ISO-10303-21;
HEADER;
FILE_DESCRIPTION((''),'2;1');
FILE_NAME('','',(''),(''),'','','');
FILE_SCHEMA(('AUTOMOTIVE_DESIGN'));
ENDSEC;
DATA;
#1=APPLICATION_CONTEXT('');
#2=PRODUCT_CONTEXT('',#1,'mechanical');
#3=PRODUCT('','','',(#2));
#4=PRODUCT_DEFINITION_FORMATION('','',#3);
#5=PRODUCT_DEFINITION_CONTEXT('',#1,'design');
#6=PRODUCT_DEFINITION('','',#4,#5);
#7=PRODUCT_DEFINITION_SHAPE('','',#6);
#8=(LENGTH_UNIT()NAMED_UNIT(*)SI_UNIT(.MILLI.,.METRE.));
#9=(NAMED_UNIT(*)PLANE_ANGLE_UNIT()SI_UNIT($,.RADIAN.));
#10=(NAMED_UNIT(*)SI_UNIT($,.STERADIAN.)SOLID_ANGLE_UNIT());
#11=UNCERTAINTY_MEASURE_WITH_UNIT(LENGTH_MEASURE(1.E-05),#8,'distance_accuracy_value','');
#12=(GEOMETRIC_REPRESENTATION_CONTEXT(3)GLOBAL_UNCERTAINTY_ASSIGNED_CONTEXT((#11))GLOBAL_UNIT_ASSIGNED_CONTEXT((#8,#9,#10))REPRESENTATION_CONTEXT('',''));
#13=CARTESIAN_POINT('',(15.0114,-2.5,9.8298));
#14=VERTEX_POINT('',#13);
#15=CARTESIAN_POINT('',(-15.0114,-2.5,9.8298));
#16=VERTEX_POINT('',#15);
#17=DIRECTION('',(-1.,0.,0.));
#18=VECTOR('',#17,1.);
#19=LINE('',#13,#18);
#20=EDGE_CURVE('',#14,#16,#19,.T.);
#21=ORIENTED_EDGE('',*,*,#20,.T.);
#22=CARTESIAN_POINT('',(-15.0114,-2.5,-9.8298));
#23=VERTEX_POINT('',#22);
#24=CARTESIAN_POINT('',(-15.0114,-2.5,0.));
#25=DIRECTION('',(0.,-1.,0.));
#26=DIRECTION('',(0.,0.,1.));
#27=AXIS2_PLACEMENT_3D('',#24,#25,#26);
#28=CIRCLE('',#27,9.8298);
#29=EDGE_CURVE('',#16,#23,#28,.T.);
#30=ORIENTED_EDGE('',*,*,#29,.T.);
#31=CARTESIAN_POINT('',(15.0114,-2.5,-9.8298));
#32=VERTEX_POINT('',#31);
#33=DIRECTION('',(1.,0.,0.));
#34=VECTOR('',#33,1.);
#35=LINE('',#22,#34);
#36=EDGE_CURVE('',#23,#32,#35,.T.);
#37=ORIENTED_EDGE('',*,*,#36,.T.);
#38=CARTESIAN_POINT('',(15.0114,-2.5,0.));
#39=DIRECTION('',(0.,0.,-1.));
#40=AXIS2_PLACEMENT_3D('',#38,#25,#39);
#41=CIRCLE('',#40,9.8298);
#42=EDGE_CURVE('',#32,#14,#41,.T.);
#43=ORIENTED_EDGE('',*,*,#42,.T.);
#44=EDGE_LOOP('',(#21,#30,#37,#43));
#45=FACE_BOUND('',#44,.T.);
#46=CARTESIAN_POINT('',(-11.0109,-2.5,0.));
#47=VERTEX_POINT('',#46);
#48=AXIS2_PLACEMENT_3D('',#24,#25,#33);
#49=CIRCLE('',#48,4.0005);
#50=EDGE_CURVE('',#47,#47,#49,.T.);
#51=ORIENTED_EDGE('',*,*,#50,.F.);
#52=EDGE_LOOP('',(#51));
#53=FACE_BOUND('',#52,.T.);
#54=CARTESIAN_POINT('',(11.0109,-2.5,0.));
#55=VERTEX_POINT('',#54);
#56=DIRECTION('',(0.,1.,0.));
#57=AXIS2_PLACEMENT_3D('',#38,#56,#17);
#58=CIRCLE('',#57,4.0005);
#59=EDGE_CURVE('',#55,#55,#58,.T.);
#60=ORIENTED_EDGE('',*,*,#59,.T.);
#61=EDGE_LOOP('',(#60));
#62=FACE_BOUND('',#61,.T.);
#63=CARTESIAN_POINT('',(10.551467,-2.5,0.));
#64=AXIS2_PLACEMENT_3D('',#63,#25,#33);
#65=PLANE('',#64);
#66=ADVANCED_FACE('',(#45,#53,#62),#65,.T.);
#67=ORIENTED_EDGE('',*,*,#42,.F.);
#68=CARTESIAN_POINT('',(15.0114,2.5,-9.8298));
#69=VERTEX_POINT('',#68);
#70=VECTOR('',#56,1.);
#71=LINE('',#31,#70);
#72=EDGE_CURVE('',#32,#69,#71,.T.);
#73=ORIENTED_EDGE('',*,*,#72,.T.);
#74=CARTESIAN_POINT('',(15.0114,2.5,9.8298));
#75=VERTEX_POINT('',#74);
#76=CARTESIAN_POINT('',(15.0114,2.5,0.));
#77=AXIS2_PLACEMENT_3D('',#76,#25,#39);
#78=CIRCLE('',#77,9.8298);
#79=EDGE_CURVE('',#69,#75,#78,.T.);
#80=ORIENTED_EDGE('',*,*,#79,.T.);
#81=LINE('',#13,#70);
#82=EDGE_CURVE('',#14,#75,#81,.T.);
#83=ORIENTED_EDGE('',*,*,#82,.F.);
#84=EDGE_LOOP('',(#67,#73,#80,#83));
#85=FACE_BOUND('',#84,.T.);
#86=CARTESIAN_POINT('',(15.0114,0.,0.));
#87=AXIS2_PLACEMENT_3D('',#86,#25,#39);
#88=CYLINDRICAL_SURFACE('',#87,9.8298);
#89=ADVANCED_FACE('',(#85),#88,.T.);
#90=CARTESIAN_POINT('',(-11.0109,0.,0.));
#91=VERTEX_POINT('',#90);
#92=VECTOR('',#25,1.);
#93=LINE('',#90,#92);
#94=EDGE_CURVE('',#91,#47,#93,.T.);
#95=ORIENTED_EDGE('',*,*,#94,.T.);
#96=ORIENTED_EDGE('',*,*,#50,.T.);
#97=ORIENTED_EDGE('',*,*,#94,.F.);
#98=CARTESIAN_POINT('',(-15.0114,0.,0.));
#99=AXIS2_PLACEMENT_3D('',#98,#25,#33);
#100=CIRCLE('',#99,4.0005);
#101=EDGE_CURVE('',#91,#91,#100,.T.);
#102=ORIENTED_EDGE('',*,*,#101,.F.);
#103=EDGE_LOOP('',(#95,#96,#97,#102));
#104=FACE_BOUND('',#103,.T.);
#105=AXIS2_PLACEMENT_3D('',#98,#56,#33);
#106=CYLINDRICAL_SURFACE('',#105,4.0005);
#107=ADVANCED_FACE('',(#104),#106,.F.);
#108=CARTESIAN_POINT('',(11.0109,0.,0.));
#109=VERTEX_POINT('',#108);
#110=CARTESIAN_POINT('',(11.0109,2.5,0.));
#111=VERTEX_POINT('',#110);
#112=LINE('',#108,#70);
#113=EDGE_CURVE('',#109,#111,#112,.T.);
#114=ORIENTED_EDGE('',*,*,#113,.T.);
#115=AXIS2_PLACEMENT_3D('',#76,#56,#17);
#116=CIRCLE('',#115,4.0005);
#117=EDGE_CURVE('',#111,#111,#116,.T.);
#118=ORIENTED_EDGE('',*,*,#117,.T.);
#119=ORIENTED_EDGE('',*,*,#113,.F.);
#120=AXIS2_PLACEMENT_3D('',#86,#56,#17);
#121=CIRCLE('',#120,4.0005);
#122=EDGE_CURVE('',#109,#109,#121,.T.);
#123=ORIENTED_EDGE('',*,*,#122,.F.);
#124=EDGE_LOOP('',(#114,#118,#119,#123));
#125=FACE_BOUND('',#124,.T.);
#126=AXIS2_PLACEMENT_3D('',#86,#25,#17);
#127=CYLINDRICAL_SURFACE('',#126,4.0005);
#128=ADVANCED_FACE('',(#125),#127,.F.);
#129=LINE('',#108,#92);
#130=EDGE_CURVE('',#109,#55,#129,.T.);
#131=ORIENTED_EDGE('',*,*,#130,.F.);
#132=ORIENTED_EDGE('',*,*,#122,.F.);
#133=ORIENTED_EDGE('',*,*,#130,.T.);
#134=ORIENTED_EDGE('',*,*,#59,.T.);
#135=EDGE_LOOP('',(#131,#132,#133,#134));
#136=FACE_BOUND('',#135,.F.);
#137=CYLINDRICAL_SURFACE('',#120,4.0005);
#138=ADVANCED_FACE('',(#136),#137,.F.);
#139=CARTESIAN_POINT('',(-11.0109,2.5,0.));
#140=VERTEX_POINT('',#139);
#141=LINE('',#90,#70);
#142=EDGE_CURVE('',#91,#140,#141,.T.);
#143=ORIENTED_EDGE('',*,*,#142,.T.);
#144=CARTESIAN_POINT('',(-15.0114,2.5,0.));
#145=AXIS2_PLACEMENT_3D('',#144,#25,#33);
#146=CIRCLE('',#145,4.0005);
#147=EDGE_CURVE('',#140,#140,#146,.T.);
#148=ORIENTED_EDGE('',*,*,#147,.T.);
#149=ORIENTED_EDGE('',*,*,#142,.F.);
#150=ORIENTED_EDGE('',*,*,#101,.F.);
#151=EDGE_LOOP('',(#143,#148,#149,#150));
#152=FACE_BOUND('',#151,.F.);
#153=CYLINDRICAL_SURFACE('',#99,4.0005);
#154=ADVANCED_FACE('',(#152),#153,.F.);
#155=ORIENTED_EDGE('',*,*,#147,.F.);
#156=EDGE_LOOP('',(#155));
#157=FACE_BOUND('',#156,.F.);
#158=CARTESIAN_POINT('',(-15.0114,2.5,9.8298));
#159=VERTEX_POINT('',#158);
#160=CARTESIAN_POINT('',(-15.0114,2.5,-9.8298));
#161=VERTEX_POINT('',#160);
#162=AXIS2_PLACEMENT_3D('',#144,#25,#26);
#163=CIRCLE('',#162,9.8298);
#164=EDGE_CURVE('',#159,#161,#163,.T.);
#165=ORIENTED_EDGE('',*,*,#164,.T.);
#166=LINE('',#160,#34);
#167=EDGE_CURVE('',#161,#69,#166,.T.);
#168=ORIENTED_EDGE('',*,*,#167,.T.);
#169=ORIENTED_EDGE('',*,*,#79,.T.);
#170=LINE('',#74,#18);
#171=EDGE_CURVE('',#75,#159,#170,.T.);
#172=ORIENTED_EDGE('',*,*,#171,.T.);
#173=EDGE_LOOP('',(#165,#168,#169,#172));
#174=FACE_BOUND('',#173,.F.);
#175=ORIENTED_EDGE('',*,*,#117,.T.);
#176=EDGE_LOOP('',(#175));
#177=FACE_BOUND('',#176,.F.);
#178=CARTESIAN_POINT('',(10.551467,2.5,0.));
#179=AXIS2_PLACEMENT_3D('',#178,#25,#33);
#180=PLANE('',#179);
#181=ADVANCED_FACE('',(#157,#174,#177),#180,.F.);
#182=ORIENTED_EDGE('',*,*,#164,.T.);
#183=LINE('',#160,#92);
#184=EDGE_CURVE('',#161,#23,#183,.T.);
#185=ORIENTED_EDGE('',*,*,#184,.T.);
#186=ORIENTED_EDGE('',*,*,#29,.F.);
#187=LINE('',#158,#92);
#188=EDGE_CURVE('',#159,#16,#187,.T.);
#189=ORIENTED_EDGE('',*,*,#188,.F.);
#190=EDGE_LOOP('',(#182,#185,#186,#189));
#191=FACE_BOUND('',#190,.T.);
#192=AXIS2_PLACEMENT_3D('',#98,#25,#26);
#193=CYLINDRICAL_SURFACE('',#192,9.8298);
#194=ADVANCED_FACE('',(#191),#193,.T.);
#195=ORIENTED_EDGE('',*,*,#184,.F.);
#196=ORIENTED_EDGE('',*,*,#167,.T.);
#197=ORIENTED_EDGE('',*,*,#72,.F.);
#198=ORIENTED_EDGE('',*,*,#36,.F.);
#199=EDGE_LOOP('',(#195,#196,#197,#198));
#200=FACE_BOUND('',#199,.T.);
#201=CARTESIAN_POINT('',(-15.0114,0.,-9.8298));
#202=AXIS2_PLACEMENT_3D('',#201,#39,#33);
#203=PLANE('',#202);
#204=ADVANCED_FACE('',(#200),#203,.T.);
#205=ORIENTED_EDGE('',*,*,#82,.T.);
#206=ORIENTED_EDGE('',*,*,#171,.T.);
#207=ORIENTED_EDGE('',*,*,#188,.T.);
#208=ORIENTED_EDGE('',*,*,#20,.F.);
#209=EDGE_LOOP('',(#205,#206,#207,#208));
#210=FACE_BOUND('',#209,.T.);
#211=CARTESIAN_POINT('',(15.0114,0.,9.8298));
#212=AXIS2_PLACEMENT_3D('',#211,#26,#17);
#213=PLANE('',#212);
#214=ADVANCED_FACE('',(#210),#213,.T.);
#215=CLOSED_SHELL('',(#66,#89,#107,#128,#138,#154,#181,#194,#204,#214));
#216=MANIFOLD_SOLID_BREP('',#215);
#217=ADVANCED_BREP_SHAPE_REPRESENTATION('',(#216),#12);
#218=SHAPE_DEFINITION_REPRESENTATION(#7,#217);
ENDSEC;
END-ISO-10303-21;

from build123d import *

# Parameters (mm, degrees)
F0_R     = 4.0005
F1_DEPTH = 2.5


with BuildPart() as f1:
    # F0 (on Front) → F1 (new body, symmetric)
    with BuildSketch(Plane.XZ):
        with BuildLine():
            Line((0, 9.8298), (0, 0))
            Line((0, 0), (0, -9.8298))
            Line((0, -9.8298), (15.0114, -9.8298))
            ThreePointArc((15.0114, -9.8298), (24.8412, 0), (15.0114, 9.8298))
            Line((15.0114, 9.8298), (0, 9.8298))
        make_face()
        with BuildLine():
            ThreePointArc((19.0119, 0), (15.0114, -4.0005), (11.0109, 0))
            ThreePointArc((11.0109, 0), (15.0114, 4.0005), (19.0119, 0))
        make_face(mode=Mode.SUBTRACT)
        with BuildLine():
            Line((0, -9.8298), (0, 0))
            Line((0, 0), (0, 9.8298))
            Line((0, 9.8298), (-15.0114, 9.8298))
            ThreePointArc((-15.0114, 9.8298), (-24.8412, 0), (-15.0114, -9.8298))
            Line((-15.0114, -9.8298), (0, -9.8298))
        make_face()
        with Locations((-15.0114, 0)):
            Circle(F0_R, mode=Mode.SUBTRACT)
    extrude(amount=F1_DEPTH, both=True)


solid = f1.part
